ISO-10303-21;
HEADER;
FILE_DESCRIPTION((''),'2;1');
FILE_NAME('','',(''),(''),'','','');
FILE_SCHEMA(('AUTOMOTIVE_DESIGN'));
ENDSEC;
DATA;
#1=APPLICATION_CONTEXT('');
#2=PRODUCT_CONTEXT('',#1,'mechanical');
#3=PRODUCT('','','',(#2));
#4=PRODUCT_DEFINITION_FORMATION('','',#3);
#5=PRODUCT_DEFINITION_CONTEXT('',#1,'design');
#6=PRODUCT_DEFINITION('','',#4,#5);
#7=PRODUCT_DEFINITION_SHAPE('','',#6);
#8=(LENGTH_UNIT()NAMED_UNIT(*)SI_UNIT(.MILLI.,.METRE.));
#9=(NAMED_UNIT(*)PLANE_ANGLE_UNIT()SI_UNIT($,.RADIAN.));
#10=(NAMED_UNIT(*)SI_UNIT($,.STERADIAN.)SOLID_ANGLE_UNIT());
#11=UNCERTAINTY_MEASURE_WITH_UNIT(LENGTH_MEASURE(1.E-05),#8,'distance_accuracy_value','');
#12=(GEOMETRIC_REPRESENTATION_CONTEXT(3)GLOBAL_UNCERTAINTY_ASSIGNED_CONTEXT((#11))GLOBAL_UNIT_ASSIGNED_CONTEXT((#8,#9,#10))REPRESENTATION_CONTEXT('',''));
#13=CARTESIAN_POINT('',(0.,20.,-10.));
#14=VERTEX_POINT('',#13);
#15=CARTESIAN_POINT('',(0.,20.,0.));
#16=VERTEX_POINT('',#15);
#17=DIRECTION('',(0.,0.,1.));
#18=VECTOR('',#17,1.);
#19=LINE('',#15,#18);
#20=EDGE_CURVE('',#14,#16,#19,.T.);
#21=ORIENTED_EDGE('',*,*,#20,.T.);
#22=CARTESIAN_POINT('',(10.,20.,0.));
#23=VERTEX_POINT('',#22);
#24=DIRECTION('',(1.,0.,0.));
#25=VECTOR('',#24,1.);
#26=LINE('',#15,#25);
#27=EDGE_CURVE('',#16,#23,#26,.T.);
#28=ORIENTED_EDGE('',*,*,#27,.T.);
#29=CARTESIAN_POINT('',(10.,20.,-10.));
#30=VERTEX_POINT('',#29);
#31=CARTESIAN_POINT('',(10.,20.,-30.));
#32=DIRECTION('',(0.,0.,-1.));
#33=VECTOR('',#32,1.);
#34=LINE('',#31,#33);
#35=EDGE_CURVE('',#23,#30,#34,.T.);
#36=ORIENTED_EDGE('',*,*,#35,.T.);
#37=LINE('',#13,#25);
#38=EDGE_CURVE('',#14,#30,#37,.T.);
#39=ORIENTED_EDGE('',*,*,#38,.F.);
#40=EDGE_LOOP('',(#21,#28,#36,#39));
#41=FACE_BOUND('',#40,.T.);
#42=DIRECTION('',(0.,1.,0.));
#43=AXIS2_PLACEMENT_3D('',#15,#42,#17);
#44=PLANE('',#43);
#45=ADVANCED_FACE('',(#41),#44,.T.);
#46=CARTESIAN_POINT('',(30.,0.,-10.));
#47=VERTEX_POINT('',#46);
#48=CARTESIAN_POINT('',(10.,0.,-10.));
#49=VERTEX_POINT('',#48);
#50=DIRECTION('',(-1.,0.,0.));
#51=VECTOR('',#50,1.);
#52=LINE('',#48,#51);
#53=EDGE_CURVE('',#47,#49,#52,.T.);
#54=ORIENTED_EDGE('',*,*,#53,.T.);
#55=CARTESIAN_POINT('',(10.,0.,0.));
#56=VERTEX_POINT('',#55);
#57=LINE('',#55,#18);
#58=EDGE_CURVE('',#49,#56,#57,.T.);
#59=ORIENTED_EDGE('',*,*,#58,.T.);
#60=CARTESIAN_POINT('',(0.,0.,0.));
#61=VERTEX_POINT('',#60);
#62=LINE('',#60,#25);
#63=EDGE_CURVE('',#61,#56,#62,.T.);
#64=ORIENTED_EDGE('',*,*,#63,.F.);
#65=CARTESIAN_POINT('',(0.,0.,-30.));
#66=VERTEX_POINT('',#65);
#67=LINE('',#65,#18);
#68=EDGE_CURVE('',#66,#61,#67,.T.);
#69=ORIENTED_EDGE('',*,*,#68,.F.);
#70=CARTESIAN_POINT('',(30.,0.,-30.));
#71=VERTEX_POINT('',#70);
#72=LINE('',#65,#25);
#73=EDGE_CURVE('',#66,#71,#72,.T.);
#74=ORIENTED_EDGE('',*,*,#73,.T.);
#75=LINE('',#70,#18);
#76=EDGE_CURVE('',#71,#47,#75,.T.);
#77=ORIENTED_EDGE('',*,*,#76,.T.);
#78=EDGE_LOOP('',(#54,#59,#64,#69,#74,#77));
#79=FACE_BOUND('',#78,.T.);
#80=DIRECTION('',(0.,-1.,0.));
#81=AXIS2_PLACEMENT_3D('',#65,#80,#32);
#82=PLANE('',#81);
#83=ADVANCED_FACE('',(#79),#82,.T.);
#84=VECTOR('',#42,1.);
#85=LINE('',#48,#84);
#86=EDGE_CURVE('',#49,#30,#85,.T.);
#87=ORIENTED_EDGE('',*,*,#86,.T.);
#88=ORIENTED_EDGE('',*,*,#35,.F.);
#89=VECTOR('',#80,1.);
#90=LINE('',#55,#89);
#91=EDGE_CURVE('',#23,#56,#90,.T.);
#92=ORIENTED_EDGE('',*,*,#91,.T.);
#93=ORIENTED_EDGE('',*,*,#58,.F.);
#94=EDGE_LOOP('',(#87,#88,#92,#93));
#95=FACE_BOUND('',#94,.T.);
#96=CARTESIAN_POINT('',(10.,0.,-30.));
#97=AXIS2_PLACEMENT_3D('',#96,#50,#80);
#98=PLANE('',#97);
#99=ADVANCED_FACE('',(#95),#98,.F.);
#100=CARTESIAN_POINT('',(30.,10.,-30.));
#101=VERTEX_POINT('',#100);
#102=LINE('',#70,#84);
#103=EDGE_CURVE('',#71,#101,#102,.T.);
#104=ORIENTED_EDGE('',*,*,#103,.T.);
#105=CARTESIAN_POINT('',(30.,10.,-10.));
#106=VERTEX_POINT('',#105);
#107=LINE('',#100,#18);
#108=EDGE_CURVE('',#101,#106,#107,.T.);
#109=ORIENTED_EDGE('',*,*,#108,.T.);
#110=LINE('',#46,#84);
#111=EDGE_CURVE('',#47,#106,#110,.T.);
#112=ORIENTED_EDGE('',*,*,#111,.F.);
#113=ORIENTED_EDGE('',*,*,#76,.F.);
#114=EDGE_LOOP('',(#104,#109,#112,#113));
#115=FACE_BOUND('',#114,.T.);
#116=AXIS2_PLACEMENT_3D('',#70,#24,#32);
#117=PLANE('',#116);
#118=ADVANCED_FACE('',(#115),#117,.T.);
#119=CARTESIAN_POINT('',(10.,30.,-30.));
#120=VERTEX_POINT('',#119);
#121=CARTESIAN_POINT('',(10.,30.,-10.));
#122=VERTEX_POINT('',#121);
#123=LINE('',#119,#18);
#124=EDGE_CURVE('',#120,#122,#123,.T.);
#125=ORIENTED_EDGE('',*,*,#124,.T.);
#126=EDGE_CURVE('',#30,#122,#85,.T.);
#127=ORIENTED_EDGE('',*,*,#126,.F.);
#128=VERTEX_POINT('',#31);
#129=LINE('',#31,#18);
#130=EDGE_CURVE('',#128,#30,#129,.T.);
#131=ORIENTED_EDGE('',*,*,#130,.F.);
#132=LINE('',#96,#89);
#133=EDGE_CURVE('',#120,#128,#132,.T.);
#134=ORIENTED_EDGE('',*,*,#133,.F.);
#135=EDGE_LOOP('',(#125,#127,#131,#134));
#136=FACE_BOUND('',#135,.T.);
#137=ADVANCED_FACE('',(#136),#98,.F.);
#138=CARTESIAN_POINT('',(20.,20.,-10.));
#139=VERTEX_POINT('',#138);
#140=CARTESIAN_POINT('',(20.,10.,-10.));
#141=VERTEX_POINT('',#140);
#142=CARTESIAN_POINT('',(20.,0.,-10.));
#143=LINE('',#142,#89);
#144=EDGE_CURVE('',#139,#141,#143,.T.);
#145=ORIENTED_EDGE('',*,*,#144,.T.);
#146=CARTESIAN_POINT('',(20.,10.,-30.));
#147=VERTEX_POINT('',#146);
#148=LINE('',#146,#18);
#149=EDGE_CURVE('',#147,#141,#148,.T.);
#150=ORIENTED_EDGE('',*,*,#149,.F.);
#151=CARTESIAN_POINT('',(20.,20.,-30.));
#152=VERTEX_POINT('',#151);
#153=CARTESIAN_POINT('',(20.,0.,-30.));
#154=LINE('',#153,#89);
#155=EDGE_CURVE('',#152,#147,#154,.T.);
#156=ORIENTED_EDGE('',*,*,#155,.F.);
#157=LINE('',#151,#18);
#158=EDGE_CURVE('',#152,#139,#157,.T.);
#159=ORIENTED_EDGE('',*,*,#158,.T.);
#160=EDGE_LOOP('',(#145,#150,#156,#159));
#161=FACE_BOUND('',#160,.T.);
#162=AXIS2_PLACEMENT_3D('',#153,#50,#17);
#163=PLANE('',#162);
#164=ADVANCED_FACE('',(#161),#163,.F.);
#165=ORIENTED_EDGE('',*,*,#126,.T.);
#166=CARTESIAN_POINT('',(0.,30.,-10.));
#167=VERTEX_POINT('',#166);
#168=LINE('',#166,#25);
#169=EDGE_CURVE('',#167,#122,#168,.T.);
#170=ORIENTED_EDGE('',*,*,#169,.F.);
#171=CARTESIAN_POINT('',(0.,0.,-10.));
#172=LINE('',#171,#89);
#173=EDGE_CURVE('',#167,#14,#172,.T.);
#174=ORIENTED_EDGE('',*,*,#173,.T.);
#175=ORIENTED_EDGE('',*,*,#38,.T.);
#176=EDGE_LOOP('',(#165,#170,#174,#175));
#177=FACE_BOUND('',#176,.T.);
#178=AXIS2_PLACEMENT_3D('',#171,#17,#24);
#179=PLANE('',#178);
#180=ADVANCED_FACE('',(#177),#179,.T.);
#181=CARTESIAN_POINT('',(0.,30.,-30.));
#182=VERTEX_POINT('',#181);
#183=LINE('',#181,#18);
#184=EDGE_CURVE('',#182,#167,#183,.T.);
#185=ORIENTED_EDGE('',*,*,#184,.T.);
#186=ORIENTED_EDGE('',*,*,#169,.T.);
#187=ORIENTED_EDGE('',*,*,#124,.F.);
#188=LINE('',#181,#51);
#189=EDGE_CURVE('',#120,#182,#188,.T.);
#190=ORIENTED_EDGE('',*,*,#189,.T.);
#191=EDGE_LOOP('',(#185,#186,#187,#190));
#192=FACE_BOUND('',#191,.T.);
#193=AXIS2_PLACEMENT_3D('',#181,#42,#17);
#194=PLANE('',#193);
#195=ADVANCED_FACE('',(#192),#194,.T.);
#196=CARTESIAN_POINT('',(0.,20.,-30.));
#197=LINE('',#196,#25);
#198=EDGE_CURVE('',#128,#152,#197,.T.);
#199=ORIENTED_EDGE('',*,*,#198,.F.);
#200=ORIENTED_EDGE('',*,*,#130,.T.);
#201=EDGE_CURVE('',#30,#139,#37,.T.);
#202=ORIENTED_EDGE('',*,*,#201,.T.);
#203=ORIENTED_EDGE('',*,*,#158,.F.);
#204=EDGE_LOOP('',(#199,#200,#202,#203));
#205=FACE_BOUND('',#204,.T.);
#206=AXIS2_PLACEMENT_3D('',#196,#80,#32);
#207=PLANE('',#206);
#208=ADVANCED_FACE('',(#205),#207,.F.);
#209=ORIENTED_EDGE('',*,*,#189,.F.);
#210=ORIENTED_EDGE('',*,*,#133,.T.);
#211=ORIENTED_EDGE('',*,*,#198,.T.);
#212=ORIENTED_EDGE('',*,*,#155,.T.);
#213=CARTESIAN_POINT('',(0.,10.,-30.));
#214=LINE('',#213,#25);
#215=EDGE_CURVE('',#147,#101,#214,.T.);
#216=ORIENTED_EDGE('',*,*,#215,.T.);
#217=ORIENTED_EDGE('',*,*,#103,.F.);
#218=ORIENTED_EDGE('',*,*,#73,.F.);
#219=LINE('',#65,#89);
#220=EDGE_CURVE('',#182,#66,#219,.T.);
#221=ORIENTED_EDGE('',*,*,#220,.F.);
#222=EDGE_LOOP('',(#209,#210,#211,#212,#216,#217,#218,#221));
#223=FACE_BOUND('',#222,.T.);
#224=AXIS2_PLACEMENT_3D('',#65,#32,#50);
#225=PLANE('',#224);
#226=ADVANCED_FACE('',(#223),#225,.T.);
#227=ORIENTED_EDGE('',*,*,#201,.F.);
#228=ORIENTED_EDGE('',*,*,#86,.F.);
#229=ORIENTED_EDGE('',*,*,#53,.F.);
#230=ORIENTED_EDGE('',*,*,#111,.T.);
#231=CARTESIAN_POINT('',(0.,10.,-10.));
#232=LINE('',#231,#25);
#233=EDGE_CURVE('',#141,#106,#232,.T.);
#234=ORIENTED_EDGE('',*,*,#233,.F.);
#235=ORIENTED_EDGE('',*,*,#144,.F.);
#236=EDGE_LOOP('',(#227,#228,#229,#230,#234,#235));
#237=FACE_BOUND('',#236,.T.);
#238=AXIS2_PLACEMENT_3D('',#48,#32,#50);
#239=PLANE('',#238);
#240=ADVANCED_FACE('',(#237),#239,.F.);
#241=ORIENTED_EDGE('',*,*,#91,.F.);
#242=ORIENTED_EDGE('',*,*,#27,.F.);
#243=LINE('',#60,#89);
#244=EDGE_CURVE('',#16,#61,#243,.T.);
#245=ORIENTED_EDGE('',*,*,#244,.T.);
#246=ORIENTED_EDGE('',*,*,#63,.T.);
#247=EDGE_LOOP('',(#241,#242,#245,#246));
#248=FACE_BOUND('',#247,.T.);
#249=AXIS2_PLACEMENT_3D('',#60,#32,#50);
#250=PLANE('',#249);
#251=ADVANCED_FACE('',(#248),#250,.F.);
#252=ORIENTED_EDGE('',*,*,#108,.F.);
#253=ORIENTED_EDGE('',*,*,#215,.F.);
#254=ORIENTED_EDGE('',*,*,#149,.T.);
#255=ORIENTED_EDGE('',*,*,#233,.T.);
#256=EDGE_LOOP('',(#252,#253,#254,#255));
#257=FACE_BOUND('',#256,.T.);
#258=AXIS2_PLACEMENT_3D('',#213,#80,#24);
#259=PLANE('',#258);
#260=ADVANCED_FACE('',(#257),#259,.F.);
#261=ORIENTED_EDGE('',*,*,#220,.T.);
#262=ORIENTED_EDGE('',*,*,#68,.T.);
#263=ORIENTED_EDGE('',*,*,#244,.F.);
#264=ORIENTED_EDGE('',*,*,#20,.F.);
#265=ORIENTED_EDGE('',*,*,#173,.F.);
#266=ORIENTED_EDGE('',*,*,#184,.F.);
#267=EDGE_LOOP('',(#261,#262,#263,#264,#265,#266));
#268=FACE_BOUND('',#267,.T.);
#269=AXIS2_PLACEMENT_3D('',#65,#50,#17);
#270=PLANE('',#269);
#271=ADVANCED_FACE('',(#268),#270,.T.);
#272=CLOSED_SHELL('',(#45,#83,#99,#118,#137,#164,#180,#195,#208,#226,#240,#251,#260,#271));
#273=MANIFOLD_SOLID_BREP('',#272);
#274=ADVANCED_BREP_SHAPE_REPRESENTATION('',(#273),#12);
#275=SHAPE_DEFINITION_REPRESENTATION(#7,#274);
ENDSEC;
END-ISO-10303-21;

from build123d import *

# Parameters (mm, degrees)
SKETCH_1_W          = 30
SKETCH_1_H          = 30
EXTRUDE_1_DEPTH     = 30
CUT_EXTRUDE_1_DEPTH = 52.961524227
SKETCH_3_W          = 20
SKETCH_3_H          = 10
CUT_EXTRUDE_2_DEPTH = 52.961524227
SKETCH_4_W          = 10
SKETCH_4_H          = 10
CUT_EXTRUDE_3_DEPTH = 52.961524227


with BuildPart() as part:
    # 草圖1 → 填料-伸長1 (new body)
    with BuildSketch(Plane.XY):
        with Locations((15, 15)):
            Rectangle(SKETCH_1_W, SKETCH_1_H)
    extrude(amount=-EXTRUDE_1_DEPTH)

    # 草圖2 → 除料-伸長1 (cut, through all)
    with BuildSketch(Plane.XY):
        Polygon((30, 30), (10, 30), (10, 20), (20, 20), (20, 10), (30, 10), align=None)
    extrude(amount=-CUT_EXTRUDE_1_DEPTH, mode=Mode.SUBTRACT)

    # 草圖3 → 除料-伸長2 (cut, through all)
    with BuildSketch(Plane(origin=(0, 30, 0), x_dir=(1, 0, 0), z_dir=(0, 1, 0))):
        with Locations((20, 5)):
            Rectangle(SKETCH_3_W, SKETCH_3_H)
    extrude(amount=-CUT_EXTRUDE_2_DEPTH, mode=Mode.SUBTRACT)

    # 草圖4 → 除料-伸長3 (cut, through all)
    with BuildSketch(Plane(origin=(30, 0, 0), x_dir=(0, 0, -1), z_dir=(1, 0, 0))):
        with Locations((5, 25)):
            Rectangle(SKETCH_4_W, SKETCH_4_H)
    extrude(amount=-CUT_EXTRUDE_3_DEPTH, mode=Mode.SUBTRACT)


solid = part.part
